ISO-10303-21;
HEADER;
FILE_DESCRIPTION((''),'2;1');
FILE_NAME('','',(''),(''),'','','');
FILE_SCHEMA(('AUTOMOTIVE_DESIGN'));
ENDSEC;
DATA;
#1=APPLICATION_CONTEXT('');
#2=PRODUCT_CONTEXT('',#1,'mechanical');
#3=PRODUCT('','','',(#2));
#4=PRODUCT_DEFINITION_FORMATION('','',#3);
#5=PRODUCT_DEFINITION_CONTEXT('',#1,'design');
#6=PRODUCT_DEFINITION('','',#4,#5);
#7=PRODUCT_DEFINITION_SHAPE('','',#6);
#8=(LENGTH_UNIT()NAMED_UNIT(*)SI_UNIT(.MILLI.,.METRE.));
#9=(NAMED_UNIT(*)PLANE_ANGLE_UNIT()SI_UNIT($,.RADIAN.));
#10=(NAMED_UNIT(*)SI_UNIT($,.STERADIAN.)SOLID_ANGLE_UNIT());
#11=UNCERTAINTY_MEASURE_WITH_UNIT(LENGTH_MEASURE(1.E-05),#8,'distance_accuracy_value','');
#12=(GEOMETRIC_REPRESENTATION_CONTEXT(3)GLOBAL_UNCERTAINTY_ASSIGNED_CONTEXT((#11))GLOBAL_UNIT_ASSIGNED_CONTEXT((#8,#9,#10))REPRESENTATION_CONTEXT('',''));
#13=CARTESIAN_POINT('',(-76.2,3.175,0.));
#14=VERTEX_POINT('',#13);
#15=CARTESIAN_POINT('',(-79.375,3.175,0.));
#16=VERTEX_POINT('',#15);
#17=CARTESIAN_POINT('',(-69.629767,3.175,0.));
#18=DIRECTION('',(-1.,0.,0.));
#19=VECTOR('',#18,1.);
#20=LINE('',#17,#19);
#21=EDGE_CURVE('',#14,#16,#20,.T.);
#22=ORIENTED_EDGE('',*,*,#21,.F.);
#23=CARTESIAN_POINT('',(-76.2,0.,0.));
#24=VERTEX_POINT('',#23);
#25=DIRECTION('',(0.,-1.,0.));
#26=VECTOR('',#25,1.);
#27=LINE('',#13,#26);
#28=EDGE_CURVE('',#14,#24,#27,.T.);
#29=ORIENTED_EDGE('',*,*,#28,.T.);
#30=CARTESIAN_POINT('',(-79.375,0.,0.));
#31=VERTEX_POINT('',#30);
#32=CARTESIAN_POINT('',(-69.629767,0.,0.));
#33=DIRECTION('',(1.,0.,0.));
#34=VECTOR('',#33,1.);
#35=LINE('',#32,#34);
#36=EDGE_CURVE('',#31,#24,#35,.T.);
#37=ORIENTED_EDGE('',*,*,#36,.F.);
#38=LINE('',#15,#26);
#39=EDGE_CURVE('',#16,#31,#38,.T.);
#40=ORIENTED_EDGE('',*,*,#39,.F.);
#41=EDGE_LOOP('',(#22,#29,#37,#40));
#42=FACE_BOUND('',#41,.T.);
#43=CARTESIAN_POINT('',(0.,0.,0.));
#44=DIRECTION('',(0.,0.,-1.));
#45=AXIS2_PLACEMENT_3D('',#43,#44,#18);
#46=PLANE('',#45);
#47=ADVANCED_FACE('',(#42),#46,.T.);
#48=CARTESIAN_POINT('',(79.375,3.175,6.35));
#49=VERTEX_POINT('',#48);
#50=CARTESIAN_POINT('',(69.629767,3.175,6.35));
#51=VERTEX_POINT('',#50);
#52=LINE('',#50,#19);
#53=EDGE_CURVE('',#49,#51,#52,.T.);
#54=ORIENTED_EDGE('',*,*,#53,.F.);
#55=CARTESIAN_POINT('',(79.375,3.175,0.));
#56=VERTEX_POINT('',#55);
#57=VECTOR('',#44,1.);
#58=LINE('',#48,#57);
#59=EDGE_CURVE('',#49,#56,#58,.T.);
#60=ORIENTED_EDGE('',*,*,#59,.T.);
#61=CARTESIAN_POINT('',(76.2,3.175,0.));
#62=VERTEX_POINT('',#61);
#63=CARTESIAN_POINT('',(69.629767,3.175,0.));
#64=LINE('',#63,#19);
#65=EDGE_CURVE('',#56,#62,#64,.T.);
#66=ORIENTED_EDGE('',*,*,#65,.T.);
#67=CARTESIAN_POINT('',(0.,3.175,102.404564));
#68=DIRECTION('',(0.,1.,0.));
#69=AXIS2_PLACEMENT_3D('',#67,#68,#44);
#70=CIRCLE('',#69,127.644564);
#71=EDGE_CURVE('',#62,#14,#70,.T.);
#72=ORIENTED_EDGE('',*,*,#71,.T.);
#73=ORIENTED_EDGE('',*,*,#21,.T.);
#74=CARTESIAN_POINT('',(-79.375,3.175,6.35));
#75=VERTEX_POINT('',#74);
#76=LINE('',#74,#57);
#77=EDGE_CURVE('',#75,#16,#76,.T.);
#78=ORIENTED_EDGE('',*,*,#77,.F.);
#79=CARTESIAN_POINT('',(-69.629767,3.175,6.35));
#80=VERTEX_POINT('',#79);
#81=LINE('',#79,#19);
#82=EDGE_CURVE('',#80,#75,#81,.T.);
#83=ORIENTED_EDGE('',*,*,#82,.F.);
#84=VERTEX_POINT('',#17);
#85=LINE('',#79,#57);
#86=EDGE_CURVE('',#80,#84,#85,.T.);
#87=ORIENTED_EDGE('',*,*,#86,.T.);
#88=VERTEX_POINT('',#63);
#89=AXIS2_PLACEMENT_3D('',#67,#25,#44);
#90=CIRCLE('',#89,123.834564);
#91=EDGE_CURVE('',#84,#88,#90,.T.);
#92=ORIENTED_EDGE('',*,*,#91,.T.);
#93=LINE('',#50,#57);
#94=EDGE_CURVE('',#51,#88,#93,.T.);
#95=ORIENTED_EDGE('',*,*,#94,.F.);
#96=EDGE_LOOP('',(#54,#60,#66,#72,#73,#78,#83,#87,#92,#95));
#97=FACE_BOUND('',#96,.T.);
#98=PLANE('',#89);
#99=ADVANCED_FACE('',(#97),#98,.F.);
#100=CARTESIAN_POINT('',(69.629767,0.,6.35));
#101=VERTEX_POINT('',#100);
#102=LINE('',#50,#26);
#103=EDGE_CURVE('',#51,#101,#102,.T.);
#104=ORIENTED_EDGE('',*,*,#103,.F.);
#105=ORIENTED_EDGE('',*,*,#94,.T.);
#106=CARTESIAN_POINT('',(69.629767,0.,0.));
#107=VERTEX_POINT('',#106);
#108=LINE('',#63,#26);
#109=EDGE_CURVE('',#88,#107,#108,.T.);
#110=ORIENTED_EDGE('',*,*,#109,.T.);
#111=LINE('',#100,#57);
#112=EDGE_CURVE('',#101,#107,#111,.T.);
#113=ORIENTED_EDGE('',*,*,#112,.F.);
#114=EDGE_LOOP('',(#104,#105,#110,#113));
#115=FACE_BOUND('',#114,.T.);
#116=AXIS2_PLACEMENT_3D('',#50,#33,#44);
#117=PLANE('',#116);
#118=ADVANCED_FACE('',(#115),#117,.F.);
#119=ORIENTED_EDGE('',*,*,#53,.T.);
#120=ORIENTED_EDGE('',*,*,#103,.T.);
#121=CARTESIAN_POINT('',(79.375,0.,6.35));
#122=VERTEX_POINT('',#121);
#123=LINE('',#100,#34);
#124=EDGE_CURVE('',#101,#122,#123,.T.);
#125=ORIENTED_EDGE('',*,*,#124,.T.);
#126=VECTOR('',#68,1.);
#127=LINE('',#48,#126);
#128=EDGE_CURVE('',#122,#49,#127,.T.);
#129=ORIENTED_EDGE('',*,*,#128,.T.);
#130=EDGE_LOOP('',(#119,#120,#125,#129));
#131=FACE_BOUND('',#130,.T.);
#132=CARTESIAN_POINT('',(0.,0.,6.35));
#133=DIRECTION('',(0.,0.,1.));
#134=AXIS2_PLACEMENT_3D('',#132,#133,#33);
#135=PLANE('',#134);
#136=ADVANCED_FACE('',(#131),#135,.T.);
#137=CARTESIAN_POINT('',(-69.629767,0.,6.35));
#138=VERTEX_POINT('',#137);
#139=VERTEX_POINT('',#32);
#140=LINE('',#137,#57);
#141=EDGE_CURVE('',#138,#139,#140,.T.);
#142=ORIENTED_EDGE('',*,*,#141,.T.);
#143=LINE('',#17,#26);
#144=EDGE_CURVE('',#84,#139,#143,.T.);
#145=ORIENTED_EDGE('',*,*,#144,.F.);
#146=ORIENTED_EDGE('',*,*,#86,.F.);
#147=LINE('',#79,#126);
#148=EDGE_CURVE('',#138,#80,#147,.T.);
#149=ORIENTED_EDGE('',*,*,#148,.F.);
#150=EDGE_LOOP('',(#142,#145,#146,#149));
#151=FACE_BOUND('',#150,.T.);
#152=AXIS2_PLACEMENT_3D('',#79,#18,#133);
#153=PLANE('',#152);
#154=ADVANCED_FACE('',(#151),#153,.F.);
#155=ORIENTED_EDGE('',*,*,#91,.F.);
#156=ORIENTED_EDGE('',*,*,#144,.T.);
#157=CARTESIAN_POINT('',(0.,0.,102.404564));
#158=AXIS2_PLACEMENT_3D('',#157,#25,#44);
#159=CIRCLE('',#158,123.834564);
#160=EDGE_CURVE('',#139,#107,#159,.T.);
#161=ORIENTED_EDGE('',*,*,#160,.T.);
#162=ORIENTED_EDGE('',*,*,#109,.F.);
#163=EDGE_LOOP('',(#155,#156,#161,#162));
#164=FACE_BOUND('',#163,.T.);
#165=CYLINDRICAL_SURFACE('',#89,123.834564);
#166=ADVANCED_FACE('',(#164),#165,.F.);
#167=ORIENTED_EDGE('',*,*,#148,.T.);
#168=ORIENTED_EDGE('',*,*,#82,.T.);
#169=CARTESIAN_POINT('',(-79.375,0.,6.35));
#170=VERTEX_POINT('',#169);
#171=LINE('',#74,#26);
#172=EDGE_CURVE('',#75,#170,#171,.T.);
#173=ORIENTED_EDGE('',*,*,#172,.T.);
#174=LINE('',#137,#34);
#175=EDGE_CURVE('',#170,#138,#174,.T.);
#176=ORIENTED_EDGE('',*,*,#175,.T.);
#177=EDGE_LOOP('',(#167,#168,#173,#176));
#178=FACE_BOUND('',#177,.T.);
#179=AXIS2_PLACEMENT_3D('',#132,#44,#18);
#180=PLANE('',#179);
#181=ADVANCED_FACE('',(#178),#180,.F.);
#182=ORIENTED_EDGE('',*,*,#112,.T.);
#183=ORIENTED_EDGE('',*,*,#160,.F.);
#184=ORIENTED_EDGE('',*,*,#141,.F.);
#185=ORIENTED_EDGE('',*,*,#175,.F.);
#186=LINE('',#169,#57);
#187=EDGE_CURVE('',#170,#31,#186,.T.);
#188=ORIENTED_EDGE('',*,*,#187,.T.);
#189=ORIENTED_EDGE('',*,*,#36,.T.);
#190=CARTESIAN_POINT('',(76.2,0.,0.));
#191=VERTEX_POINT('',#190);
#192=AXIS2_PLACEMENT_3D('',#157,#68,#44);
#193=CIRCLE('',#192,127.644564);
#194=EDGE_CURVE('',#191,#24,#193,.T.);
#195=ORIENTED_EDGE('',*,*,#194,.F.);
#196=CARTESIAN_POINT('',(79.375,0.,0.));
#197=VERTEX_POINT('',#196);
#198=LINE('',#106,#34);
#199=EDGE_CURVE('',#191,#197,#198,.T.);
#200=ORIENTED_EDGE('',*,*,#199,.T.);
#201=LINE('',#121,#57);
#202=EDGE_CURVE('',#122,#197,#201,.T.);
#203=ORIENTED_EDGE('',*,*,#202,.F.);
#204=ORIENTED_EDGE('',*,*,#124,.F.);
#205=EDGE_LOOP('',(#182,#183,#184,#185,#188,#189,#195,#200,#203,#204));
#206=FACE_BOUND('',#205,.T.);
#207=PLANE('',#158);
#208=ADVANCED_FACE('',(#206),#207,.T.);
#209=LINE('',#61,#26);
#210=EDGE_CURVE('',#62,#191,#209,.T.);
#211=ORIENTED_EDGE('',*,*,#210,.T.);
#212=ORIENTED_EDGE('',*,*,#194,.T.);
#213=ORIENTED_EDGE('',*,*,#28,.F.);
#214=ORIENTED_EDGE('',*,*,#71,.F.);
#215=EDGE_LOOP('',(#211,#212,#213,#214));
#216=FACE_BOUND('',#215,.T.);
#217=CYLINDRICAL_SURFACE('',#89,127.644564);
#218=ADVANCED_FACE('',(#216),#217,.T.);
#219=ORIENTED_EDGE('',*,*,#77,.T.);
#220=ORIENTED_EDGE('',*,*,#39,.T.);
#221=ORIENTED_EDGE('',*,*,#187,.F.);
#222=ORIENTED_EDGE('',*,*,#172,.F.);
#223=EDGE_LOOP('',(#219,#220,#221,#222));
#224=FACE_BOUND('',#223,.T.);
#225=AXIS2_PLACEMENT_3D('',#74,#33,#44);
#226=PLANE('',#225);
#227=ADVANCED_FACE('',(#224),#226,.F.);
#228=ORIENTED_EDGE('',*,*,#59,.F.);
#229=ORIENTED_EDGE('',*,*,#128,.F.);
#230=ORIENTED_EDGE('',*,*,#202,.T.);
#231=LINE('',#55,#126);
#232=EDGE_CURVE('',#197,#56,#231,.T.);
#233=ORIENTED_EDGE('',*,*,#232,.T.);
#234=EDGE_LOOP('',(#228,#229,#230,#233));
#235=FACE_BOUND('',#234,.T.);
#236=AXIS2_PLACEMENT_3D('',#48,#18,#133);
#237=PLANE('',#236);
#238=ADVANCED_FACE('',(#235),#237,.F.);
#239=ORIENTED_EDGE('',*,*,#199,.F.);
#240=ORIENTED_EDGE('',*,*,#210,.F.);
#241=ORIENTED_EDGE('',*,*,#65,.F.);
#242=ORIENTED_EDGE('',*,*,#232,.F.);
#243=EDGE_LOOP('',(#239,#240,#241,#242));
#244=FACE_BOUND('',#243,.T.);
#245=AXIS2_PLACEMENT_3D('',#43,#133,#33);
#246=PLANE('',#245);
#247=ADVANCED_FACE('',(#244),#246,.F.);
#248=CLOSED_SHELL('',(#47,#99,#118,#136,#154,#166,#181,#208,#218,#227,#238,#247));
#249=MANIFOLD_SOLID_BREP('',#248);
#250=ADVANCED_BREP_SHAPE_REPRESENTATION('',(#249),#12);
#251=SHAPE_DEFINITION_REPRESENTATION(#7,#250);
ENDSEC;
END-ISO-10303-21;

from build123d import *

# Parameters (mm, degrees)
BOSS_EXTRUDE2_DEPTH = 3.175
SKETCH2_W           = 9.745232509
SKETCH2_H           = 3.175
BOSS_EXTRUDE3_DEPTH = 6.35


with BuildPart() as part:
    # Sketch1 → Boss-Extrude2 (new body)
    with BuildSketch(Plane(origin=(0, 0, 0), x_dir=(1, 0, 0), z_dir=(0, 1, 0))):
        with BuildLine():
            Line((-76.2, 0), (-69.629767491, 0))
            ThreePointArc((-69.629767491, 0), (0, 21.43), (69.629767491, 0))
            Line((69.629767491, 0), (76.2, 0))
            ThreePointArc((76.2, 0), (0, 25.24), (-76.2, 0))
        make_face()
    extrude(amount=BOSS_EXTRUDE2_DEPTH)

    # Sketch2 → Boss-Extrude3 (add)
    with BuildSketch(Plane.XY):
        with Locations((-74.502383745, 1.5875)):
            Rectangle(SKETCH2_W, SKETCH2_H)
        with Locations((74.502383745, 1.5875)):
            Rectangle(SKETCH2_W, SKETCH2_H)
    extrude(amount=BOSS_EXTRUDE3_DEPTH)


solid = part.part
